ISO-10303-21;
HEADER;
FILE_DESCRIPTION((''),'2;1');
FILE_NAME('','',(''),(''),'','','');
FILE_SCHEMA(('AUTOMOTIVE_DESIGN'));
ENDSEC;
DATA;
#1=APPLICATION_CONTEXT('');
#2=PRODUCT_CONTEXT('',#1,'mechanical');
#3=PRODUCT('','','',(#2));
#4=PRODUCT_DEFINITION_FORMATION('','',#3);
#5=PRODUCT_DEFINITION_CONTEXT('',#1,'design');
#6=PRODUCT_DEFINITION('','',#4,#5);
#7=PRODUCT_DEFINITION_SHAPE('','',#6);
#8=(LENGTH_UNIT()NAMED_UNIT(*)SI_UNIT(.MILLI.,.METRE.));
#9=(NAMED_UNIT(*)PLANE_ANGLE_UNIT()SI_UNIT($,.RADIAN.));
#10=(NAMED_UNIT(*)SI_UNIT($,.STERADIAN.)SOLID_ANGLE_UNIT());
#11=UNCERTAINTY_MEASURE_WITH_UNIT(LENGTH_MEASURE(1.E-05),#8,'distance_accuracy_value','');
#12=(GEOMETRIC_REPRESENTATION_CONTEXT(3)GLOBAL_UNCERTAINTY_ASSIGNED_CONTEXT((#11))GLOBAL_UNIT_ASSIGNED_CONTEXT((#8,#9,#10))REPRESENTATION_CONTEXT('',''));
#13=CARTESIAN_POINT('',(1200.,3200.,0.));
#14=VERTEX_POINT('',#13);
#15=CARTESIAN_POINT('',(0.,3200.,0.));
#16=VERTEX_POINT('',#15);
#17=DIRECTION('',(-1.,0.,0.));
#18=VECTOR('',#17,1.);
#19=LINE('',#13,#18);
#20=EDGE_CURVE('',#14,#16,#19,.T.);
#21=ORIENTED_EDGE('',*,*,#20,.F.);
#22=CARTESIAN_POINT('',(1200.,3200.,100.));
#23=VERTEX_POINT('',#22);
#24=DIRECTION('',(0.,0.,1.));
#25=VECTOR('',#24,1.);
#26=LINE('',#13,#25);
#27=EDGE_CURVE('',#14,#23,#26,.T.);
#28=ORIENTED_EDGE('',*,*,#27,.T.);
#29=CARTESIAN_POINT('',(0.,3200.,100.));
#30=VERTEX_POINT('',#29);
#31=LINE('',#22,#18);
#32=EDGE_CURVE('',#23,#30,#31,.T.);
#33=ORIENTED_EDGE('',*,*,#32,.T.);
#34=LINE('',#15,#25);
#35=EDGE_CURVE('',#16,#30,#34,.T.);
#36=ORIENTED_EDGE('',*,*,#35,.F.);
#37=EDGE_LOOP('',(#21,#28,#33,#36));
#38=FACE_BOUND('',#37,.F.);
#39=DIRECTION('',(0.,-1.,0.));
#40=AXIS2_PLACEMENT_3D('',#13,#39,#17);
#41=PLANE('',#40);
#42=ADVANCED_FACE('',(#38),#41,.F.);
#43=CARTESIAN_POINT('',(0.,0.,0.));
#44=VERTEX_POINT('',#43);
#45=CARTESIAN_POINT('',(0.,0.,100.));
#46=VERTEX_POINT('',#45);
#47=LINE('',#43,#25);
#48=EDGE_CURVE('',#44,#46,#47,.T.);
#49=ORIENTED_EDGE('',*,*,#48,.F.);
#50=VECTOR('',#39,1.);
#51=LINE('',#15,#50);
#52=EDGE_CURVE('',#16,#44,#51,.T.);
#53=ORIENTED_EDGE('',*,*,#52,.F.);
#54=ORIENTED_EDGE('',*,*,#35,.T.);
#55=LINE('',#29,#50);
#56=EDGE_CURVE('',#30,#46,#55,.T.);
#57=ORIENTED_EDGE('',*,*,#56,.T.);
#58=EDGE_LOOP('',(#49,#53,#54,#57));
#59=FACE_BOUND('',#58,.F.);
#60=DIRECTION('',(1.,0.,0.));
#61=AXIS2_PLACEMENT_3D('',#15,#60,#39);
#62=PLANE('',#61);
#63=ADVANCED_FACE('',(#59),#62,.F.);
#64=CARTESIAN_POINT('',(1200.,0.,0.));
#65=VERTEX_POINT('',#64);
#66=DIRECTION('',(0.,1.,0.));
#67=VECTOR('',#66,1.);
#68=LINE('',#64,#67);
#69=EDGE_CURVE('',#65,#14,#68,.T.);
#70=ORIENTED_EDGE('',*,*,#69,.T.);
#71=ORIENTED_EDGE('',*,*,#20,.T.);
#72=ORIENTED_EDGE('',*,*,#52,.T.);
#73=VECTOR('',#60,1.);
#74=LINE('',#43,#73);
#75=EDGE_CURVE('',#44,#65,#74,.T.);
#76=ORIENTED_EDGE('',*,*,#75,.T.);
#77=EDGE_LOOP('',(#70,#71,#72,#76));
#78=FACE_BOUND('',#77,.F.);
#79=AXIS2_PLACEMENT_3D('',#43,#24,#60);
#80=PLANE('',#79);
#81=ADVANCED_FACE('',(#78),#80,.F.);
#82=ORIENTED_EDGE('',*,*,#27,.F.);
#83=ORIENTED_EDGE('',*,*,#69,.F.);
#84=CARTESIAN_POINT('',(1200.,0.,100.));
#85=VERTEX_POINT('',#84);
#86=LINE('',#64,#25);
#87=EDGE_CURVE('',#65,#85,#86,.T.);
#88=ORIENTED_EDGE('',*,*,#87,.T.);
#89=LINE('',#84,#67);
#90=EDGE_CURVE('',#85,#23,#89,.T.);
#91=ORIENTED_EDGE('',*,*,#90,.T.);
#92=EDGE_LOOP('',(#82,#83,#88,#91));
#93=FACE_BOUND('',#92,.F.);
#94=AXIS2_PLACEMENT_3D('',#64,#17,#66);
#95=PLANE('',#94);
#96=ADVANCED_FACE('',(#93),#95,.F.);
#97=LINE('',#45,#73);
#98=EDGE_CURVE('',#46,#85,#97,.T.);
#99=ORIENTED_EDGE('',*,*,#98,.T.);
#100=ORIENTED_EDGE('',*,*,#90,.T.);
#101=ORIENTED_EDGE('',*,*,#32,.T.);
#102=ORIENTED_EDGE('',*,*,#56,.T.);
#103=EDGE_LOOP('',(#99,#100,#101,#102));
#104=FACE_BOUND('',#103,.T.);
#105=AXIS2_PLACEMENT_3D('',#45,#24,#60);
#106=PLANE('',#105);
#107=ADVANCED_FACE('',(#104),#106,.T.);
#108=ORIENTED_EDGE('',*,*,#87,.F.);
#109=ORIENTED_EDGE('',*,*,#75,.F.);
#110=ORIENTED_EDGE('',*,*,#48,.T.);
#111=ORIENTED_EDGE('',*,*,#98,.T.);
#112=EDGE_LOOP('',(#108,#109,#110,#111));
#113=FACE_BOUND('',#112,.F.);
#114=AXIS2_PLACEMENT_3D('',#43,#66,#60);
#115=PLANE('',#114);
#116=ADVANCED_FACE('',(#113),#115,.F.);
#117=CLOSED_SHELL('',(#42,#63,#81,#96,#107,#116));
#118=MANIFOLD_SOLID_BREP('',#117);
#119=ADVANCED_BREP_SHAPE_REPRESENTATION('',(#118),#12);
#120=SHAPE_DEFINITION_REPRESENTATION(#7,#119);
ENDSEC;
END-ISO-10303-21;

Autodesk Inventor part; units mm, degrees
ref_plane "YZ Plane" through (0, 0, 0) normal (1, 0, 0) x (0, 1, 0)
ref_plane "XZ Plane" through (0, 0, 0) normal (0, 1, 0) x (-1, 0, 0)
ref_plane "XY Plane" through (0, 0, 0) normal (0, 0, 1) x (1, 0, 0)
sketch "Sketch1" plane through (0, 0, 0) normal (0, 0, 1) x (1, 0, 0)
  line L0 (0, 0) -> (1200, 0)
  line L1 (1200, 0) -> (1200, 3200)
  line L2 (1200, 3200) -> (0, 3200)
  line L3 (0, 3200) -> (0, 0)
  dimension "d0" = 1200
  dimension "d1" = 3200
extrude "Extrusion1" add sketch "Sketch1" along normal blind 100
properties part number "Sandwich Wall 1200 01"
